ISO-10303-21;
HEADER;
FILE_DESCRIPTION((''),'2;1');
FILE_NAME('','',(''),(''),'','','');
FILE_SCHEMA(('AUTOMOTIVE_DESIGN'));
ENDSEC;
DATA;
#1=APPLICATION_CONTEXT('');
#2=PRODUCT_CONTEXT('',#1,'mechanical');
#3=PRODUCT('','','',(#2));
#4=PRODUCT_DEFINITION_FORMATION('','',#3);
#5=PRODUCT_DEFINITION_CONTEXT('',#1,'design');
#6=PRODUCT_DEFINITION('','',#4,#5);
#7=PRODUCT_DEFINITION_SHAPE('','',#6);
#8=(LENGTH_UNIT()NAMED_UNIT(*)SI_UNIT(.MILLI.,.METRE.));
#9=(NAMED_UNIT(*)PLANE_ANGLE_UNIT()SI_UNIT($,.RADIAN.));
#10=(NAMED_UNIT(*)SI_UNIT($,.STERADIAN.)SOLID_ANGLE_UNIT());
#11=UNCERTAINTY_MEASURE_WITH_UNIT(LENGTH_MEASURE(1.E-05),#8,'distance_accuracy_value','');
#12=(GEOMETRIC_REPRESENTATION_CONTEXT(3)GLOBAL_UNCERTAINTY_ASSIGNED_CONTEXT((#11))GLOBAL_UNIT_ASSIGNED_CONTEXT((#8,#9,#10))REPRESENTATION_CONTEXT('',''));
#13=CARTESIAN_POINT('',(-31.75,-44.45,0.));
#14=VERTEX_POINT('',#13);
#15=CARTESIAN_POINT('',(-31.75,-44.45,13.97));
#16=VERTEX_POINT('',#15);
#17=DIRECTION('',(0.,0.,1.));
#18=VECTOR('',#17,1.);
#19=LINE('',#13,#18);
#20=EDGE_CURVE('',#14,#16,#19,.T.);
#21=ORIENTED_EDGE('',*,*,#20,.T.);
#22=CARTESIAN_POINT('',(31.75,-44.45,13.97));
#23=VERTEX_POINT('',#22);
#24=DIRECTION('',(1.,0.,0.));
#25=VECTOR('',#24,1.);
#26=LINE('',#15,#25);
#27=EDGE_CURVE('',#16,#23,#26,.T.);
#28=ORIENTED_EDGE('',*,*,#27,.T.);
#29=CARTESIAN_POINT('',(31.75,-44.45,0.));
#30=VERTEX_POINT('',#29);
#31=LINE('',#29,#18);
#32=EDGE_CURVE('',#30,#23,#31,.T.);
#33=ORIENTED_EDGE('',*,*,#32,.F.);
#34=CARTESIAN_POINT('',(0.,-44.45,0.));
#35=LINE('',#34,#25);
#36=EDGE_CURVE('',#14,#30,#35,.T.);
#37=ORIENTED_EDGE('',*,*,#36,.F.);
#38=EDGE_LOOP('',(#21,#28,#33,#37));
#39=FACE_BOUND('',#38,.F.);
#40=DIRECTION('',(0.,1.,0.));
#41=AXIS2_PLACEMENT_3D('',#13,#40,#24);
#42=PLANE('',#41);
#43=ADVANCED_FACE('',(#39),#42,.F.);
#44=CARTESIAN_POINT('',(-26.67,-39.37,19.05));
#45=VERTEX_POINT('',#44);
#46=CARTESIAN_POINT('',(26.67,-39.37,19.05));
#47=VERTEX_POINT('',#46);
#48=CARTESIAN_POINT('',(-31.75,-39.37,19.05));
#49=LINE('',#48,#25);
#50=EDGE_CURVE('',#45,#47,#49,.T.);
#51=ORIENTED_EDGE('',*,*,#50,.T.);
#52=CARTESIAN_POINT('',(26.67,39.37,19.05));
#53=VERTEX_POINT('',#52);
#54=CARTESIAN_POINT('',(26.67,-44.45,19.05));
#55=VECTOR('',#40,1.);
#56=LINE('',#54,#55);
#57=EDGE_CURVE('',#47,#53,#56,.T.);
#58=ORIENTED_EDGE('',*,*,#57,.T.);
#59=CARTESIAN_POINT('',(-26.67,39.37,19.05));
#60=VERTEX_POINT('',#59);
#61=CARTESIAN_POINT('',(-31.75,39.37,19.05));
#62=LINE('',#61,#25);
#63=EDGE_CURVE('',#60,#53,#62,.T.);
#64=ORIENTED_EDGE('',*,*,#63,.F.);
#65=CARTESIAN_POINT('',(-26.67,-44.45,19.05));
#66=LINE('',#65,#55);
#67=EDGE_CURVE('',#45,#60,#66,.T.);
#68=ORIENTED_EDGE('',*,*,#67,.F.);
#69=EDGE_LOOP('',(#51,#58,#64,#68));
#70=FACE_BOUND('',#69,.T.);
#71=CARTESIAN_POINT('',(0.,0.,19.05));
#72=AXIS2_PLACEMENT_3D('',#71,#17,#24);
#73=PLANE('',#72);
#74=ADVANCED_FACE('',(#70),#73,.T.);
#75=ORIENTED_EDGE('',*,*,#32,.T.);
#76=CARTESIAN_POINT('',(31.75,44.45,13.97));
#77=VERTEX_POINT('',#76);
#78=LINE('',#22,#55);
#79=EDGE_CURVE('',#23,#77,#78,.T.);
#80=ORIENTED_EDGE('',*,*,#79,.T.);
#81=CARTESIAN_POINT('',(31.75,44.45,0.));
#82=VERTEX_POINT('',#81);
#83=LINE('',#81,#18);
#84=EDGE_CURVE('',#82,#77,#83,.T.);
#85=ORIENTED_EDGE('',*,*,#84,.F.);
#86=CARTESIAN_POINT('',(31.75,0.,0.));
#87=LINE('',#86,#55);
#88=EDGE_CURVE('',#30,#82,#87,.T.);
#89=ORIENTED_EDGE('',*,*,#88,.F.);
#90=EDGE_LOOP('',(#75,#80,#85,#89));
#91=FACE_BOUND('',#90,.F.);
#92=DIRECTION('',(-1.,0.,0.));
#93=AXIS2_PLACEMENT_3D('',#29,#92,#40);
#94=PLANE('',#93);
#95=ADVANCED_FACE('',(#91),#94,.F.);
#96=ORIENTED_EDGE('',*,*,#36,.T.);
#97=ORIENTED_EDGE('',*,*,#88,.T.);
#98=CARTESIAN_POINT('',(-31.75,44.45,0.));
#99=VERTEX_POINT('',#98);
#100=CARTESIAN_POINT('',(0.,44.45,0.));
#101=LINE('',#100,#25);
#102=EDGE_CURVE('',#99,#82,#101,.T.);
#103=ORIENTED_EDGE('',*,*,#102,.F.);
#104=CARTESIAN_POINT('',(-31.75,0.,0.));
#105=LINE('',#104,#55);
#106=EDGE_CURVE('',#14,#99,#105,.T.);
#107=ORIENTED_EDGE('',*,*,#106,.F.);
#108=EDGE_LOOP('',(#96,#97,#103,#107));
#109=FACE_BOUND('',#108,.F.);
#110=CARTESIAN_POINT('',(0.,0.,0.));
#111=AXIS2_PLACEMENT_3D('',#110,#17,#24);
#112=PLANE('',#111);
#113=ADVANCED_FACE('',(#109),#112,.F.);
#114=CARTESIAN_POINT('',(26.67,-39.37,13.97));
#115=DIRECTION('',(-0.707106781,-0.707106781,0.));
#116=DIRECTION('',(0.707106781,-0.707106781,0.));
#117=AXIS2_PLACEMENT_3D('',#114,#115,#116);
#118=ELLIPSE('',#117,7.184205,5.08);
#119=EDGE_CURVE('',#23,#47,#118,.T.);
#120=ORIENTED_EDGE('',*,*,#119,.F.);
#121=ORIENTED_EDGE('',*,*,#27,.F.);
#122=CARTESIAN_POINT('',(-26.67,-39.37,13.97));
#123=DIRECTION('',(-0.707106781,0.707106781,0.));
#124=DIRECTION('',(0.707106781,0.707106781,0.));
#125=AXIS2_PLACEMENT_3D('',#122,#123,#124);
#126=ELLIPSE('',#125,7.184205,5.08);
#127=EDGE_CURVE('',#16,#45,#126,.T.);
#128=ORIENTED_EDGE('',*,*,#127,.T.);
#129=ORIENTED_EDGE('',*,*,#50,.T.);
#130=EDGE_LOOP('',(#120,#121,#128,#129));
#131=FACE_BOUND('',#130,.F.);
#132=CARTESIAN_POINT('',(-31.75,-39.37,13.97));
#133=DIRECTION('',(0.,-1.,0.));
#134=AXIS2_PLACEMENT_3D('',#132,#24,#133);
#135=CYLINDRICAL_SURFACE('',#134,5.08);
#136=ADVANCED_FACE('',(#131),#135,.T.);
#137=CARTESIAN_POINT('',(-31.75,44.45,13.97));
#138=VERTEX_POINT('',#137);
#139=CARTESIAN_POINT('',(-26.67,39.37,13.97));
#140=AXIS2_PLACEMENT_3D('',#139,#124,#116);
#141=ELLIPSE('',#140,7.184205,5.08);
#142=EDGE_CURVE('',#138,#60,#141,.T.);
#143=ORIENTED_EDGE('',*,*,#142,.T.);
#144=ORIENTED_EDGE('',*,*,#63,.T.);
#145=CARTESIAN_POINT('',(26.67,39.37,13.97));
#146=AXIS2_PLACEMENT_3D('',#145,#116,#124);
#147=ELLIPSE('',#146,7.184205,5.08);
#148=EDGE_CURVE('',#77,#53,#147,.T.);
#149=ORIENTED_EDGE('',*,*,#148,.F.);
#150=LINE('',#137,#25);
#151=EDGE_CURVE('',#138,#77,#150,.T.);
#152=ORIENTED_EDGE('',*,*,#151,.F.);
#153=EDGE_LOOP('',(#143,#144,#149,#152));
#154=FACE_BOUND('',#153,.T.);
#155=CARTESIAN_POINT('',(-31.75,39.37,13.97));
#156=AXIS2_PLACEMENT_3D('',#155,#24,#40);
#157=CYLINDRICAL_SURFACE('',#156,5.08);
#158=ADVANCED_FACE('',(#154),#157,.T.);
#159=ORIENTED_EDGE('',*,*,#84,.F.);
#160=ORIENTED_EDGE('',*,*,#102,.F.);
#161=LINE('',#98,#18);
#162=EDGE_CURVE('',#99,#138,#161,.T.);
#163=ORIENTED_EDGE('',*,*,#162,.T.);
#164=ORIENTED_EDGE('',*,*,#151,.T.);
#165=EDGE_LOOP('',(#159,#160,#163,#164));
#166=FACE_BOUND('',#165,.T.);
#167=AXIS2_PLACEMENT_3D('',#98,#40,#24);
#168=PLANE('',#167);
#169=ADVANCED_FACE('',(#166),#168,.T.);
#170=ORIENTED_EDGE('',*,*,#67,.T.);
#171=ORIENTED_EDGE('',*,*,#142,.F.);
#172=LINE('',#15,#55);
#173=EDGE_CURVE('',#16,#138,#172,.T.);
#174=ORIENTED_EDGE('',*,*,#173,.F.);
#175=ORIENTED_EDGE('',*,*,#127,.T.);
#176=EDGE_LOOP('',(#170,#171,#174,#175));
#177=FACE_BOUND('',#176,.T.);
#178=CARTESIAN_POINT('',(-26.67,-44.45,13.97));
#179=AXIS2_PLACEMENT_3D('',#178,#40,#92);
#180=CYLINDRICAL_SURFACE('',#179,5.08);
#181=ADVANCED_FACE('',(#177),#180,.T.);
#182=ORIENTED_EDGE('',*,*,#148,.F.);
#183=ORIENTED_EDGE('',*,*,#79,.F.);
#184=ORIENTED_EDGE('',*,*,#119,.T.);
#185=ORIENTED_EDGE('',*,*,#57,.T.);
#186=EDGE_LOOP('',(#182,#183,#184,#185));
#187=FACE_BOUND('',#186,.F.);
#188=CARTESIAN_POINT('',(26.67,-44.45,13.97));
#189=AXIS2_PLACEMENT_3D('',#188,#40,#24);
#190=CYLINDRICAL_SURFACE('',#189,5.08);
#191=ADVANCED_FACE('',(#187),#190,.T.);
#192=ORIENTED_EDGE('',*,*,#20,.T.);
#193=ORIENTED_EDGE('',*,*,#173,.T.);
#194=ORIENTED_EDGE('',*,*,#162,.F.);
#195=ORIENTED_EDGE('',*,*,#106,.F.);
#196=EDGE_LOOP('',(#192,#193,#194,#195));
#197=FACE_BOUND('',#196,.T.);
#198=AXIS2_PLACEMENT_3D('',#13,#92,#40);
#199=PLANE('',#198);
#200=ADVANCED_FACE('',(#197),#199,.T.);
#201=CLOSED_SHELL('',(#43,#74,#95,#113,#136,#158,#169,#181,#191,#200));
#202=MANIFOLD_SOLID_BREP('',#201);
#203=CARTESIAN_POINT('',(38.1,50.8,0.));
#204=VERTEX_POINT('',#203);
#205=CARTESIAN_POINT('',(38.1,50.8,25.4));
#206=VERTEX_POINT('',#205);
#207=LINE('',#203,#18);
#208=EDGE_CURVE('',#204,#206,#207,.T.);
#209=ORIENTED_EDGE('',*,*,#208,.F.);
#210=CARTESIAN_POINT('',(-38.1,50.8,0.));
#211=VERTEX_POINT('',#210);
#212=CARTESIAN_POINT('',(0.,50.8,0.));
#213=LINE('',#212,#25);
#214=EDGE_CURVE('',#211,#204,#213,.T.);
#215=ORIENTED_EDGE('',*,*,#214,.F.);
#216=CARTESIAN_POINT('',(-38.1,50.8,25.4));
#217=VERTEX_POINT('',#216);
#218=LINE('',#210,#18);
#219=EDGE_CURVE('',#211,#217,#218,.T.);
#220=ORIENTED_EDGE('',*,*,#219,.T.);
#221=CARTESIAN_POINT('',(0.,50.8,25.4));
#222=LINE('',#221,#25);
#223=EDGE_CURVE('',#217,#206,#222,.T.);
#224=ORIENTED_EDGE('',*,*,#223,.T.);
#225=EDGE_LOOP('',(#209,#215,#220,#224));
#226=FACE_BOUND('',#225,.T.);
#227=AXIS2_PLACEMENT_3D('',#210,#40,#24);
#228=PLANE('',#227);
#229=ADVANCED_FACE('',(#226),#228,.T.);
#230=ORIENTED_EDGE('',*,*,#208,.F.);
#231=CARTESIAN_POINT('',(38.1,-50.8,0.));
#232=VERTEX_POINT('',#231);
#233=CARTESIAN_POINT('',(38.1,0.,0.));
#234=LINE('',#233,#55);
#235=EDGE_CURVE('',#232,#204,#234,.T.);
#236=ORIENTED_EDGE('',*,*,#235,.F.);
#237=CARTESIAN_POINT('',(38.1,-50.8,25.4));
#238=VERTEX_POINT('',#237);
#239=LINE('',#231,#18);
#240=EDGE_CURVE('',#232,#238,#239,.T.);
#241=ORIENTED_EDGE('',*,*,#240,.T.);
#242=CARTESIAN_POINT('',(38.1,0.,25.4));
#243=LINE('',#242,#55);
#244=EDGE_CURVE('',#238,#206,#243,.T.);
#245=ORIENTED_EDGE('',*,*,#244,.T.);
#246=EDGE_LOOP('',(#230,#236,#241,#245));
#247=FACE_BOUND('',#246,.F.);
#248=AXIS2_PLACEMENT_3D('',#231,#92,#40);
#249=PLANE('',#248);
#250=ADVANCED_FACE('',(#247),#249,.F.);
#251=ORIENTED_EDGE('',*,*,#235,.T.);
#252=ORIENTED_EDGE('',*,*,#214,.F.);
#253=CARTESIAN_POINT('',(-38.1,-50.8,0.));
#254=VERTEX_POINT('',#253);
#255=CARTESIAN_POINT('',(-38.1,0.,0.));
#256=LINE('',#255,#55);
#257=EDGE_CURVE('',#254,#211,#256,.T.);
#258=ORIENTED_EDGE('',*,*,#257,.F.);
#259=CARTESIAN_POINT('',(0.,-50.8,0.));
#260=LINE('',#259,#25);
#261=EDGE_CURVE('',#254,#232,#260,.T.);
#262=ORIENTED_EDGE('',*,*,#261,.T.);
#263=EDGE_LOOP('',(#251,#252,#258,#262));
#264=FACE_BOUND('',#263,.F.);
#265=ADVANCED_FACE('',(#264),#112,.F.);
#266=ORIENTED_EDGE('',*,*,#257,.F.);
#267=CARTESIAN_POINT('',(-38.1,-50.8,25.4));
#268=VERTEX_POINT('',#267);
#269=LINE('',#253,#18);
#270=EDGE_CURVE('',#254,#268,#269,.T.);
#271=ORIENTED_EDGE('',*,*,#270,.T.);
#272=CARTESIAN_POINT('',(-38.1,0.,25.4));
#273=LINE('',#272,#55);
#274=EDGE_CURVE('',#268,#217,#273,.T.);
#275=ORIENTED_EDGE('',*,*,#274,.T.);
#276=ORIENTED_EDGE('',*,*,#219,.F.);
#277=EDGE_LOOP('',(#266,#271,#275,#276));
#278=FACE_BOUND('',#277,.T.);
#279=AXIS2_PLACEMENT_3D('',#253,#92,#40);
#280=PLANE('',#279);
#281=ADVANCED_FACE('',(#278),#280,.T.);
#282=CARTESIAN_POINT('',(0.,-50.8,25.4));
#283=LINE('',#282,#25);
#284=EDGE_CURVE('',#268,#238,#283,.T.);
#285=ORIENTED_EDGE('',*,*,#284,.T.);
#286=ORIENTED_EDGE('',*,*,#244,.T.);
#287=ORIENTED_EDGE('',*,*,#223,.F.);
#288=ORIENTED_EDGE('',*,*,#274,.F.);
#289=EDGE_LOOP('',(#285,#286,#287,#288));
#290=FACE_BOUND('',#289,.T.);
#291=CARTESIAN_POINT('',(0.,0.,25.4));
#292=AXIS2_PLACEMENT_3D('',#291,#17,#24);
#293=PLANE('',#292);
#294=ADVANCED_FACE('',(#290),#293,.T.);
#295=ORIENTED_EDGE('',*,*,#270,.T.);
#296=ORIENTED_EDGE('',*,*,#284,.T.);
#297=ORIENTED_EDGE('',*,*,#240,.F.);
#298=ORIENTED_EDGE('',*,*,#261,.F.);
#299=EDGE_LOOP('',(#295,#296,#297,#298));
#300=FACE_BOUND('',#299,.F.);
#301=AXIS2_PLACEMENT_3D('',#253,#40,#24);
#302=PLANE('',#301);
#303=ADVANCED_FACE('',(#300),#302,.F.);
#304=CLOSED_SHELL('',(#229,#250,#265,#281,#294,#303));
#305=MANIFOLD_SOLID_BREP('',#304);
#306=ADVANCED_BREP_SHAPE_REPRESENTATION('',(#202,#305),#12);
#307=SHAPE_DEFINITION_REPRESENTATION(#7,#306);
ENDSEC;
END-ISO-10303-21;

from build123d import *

# Parameters (mm, degrees)
F0_W     = 76.2
F0_H     = 101.6
F2_DEPTH = 25.4
F1_W     = 63.5
F1_H     = 88.9
F3_DEPTH = 19.05
F4_R     = 5.08


with BuildPart() as f2:
    # F0 (on Top) → F2 (new body)
    with BuildSketch(Plane.XY):
        Rectangle(F0_W, F0_H)
    extrude(amount=F2_DEPTH)


with BuildPart() as f3:
    # F1 (on Top) → F3 (new body)
    with BuildSketch(Plane.XY):
        Rectangle(F1_W, F1_H)
    extrude(amount=F3_DEPTH)

    # F4
    f4_edges = [f3.edges().sort_by_distance(p)[0] for p in [
        (0, -44.45, 19.05),
        (31.75, 0, 19.05),
        (0, 44.45, 19.05),
        (-31.75, 0, 19.05),
    ]]
    fillet(f4_edges, radius=F4_R)


solid = Compound([f2.part, f3.part])
